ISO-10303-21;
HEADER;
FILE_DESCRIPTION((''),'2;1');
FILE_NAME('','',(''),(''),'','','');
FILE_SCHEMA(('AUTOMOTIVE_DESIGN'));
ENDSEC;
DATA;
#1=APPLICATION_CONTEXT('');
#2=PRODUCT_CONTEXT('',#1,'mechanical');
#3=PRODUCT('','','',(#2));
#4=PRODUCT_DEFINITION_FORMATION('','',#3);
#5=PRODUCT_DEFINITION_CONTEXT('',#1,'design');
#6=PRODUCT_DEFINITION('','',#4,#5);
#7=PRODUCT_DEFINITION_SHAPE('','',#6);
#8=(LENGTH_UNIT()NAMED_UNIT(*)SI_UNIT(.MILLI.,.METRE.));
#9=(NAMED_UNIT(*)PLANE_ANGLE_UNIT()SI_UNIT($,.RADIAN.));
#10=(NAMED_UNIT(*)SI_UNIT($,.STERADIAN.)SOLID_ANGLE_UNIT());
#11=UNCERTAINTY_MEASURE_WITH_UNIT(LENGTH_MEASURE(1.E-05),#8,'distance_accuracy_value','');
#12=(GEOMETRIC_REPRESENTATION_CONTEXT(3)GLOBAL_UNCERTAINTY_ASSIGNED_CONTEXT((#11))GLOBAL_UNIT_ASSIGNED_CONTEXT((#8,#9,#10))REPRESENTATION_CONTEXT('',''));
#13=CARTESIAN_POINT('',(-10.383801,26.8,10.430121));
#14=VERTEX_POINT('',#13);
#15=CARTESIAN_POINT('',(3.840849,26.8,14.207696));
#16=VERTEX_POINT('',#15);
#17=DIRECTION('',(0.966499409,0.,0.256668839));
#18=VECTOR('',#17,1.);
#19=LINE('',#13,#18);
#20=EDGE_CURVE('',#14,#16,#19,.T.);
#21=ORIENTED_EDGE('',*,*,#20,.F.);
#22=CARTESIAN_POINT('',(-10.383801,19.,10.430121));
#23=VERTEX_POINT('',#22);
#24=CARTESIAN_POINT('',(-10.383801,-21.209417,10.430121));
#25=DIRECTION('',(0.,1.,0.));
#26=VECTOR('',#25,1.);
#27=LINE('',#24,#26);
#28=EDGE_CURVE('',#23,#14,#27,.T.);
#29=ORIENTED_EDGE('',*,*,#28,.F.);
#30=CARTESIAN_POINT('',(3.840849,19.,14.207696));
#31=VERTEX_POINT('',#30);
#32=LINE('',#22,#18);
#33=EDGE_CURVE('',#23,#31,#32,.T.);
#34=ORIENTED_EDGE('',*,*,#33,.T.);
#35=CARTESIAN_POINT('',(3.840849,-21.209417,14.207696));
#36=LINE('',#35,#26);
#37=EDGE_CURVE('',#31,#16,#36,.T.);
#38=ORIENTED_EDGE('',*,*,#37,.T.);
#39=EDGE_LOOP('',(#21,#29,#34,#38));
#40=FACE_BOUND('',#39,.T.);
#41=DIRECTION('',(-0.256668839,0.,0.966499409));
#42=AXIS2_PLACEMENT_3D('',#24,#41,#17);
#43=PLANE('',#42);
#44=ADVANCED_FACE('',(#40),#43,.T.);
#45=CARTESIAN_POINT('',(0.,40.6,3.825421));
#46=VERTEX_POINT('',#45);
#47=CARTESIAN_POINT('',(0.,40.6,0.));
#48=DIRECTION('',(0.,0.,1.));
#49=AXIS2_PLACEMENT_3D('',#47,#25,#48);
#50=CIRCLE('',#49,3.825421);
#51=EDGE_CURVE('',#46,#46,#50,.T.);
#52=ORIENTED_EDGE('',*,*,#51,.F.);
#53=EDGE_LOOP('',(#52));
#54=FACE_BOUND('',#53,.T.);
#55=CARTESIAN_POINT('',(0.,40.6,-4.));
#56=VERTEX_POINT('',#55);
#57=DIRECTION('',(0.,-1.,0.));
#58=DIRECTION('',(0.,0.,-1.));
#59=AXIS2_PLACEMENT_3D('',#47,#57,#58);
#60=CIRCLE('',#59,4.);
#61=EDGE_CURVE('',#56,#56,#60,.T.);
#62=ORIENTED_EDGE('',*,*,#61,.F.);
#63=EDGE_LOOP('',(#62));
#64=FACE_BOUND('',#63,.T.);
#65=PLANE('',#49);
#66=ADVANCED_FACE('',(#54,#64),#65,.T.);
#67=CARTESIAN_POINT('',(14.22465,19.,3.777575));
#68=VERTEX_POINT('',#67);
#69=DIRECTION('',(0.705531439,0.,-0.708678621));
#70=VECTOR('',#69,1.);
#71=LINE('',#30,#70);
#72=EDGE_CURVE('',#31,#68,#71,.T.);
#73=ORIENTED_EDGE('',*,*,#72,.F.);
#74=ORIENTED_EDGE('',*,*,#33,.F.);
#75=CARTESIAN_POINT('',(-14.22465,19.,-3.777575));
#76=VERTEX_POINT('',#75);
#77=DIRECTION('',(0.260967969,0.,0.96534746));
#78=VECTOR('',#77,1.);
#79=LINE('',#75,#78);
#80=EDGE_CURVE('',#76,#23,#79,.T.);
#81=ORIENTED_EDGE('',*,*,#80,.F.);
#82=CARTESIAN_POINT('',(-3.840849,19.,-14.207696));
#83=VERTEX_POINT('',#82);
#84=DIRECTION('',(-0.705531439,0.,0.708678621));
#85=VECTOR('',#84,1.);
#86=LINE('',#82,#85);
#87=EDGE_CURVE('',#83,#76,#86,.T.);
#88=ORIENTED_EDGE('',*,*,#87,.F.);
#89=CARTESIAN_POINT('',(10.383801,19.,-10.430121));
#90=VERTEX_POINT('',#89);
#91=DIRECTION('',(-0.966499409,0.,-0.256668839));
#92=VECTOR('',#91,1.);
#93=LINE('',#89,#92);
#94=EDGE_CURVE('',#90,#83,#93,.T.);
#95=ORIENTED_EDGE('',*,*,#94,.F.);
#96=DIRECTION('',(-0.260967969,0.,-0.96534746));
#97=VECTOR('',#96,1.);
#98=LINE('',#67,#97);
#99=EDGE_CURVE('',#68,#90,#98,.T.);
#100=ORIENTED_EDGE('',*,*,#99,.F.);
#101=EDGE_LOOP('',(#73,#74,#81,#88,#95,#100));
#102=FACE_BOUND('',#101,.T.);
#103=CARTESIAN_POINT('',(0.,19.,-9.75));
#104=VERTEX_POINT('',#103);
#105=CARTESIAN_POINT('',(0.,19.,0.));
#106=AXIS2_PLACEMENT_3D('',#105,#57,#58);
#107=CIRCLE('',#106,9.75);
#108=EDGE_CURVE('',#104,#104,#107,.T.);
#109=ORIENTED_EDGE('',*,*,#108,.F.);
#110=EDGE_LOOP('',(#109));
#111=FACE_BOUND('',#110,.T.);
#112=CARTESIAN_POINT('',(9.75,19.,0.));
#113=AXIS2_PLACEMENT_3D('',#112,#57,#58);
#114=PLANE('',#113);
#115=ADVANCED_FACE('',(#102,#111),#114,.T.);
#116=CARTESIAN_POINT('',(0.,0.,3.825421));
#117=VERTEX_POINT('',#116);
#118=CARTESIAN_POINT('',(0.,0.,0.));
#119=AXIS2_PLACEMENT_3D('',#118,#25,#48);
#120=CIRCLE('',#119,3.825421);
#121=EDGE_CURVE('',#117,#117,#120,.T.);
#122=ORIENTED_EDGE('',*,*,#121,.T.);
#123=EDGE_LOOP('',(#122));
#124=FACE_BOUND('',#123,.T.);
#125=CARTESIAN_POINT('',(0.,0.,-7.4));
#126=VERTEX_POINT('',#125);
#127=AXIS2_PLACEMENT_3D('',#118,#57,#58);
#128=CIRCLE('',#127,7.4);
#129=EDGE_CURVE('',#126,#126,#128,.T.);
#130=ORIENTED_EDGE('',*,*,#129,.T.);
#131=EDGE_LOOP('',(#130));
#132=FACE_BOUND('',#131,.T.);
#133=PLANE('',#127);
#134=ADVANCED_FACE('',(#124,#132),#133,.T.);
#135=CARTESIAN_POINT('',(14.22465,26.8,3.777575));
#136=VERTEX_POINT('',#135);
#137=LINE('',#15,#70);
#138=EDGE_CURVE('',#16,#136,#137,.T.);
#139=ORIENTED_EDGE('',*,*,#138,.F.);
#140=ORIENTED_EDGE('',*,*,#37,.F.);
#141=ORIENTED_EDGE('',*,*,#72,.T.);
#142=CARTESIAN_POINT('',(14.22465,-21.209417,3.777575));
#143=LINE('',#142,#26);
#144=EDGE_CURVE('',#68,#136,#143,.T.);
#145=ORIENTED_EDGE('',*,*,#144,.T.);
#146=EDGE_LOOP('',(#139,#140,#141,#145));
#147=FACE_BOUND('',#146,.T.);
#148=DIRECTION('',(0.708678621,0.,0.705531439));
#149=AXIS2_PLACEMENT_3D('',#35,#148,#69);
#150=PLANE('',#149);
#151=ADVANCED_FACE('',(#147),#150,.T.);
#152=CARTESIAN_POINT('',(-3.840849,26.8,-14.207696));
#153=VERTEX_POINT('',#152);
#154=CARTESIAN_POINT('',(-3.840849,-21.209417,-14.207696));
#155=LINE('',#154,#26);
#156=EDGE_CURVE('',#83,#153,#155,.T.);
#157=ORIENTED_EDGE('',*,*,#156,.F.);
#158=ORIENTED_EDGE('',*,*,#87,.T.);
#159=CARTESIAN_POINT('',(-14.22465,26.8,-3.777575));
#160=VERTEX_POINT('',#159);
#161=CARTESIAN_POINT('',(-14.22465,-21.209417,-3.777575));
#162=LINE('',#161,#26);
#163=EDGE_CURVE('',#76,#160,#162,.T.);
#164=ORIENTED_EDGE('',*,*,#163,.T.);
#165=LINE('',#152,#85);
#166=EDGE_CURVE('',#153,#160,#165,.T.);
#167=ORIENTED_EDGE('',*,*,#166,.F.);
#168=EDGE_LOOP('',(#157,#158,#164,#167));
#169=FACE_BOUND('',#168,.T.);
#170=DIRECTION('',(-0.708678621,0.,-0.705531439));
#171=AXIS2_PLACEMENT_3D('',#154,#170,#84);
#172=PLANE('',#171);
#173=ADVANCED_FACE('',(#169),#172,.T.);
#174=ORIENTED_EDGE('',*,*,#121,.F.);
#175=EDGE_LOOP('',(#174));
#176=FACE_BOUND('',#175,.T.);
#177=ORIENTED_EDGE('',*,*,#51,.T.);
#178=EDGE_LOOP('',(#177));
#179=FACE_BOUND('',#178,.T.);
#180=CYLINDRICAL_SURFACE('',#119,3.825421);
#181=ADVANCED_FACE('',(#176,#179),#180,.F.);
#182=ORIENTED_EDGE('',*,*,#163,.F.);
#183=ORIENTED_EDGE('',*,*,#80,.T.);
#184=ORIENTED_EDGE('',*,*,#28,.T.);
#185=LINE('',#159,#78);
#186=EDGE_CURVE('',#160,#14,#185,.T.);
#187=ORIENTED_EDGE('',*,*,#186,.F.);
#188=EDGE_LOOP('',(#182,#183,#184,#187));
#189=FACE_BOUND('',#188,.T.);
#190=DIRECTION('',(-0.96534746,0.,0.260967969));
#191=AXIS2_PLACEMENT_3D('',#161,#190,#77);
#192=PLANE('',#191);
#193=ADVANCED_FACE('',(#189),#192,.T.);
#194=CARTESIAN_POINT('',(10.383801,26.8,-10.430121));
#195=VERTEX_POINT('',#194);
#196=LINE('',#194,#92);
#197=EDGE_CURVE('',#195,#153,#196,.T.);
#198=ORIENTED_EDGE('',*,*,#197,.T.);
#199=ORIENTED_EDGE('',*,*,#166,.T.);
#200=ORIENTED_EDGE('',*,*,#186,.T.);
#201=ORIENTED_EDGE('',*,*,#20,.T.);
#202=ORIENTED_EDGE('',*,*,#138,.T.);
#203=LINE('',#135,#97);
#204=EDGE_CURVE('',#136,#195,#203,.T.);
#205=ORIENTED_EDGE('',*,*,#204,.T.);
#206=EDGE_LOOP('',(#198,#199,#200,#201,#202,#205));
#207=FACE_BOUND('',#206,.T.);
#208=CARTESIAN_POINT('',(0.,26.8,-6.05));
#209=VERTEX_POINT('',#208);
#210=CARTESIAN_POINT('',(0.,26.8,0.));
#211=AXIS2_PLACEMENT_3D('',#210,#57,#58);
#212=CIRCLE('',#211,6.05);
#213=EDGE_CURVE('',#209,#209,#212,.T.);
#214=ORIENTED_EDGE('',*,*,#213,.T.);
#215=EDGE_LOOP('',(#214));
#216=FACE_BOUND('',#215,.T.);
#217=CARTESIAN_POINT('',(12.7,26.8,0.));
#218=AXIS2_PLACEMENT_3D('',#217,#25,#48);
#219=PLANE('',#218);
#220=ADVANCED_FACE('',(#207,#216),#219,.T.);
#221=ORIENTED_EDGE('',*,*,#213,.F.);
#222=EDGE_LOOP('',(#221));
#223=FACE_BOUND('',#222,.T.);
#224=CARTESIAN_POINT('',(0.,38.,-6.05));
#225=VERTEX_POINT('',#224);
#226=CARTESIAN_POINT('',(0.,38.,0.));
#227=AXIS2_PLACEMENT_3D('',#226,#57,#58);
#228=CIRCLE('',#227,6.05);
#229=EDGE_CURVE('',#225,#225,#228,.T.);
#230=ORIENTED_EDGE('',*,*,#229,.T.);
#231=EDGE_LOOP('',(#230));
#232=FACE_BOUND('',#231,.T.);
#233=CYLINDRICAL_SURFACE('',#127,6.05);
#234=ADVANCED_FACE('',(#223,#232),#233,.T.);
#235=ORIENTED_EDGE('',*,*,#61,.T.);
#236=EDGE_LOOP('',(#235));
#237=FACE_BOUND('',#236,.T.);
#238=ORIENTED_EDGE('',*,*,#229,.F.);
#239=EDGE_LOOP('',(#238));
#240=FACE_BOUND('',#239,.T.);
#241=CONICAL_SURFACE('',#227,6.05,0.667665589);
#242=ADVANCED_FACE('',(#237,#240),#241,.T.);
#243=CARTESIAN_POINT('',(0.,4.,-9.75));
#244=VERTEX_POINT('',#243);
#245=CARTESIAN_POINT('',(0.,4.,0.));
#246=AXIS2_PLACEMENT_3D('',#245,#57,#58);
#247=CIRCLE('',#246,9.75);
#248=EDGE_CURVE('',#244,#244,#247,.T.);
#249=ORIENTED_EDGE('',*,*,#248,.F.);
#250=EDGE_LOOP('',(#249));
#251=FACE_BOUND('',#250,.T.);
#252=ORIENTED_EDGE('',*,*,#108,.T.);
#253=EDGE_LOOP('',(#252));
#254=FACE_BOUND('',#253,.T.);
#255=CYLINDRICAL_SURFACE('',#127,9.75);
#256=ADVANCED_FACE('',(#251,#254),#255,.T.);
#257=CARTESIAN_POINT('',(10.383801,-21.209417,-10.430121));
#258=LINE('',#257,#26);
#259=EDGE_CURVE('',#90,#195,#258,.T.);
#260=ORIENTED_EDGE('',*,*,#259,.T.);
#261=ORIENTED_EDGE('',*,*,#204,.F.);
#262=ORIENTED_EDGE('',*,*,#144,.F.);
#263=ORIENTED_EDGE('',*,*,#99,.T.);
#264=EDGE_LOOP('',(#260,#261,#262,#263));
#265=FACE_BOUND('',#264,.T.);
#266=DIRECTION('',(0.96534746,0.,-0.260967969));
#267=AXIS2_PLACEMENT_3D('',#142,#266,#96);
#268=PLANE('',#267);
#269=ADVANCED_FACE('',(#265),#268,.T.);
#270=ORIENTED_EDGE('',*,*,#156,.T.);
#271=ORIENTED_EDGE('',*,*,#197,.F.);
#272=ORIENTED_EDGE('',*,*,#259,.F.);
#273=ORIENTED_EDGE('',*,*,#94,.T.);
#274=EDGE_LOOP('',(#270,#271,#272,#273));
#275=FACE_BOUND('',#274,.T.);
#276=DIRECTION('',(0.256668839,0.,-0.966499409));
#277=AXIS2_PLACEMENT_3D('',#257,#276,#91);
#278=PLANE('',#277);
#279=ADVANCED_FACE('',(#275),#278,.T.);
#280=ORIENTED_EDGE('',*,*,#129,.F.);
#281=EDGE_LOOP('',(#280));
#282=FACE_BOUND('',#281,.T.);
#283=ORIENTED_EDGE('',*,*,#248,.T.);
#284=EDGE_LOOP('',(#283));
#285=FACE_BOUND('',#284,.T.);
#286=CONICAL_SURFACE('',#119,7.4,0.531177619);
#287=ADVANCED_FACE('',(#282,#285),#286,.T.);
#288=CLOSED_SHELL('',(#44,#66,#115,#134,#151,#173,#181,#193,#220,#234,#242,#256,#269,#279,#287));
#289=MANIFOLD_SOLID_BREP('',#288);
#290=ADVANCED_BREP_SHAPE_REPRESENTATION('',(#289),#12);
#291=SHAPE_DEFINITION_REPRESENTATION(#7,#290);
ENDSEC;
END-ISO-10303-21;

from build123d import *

# Parameters (mm, degrees)
BOSS_EXTRUDE1_DEPTH = 7.8
SKETCH4_R           = 3.825420683
CUT_EXTRUDE2_DEPTH  = 46.305179634


with BuildPart() as part:
    # Sketch1 → Revolve1 (revolve)
    with BuildSketch(Plane.XY, mode=Mode.PRIVATE) as revolve1_sk:
        Polygon((0, 0), (0, 40.6), (4, 40.6), (6.05, 38), (6.05, 26.8), (12.7, 26.8), (12.7, 19), (9.75, 19), (9.75, 4), (7.4, 0), align=None)
    revolve(revolve1_sk.sketch.rotate(Axis((0, 0, 0), (0, 1, 0)), 90), axis=Axis((0, 0, 0), (0, 1, 0)))

    # Sketch3 → Boss-Extrude1 (add)
    with BuildSketch(Plane(origin=(0, 26.8, 0), x_dir=(1, 0, 0), z_dir=(0, 1, 0))):
        Polygon((14.224650165, -3.777575457), (10.383801393, 10.430120675), (-3.840848772, 14.207696132), (-14.224650165, 3.777575457), (-10.383801393, -10.430120675), (3.840848772, -14.207696132), align=None)
    extrude(amount=-BOSS_EXTRUDE1_DEPTH)

    # Sketch4 → Cut-Extrude2 (cut, through all)
    with BuildSketch(Plane(origin=(0, 40.6, 0), x_dir=(1, 0, 0), z_dir=(0, 1, 0))):
        with Locations(Location((0, 0, 0), (0, 0, 270))):
            Circle(SKETCH4_R)
    extrude(amount=-CUT_EXTRUDE2_DEPTH, mode=Mode.SUBTRACT)


solid = part.part
